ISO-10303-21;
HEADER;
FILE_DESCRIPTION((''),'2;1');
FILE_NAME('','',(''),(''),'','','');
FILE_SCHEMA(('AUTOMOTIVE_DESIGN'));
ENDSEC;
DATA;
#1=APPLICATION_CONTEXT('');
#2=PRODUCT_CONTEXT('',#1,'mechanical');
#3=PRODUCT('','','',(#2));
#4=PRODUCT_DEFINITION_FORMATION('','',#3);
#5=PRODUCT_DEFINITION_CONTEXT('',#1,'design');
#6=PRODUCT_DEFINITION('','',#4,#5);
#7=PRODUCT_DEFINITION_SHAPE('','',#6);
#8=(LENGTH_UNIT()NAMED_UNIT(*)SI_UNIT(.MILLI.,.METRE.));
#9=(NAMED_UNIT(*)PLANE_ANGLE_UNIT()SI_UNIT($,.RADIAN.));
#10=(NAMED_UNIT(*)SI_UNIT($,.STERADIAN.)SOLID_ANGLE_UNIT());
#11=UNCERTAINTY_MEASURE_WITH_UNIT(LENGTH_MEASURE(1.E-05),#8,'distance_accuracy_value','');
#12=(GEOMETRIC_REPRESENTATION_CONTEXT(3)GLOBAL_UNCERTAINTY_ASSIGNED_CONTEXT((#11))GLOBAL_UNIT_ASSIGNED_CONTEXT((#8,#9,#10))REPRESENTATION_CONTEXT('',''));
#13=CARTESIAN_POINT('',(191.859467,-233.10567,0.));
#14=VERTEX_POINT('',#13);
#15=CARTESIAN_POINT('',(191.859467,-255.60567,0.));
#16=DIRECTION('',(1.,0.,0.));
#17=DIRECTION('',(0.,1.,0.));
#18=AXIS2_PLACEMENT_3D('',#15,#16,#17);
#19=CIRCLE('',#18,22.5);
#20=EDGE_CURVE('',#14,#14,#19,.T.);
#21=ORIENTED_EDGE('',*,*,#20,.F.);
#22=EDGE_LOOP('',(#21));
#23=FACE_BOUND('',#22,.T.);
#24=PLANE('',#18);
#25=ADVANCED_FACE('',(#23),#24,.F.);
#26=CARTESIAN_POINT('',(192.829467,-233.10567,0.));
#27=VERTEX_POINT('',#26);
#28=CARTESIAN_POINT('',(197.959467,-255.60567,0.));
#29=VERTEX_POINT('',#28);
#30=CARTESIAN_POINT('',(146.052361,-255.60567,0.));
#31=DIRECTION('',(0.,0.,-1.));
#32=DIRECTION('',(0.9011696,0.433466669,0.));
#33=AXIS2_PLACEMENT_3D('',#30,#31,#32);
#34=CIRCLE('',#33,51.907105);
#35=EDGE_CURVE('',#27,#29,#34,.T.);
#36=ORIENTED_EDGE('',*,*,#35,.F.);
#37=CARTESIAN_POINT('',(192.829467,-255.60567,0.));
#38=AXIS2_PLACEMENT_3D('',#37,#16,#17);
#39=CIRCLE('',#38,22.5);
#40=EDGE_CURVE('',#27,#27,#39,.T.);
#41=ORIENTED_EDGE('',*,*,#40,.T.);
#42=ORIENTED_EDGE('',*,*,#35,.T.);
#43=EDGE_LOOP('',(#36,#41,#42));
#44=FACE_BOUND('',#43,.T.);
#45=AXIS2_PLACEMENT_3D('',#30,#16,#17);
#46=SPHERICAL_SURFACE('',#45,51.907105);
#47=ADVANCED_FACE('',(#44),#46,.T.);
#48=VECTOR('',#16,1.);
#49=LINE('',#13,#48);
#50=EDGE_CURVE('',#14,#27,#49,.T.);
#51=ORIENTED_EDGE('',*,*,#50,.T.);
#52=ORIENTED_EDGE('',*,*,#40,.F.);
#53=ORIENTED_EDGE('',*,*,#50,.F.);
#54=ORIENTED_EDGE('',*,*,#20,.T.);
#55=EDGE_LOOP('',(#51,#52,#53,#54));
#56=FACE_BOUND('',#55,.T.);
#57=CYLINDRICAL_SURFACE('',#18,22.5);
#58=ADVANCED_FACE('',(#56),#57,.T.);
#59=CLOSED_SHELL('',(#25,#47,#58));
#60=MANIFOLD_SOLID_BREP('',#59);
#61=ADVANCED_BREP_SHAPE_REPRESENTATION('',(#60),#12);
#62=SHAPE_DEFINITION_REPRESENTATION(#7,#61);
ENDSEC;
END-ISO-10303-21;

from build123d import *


with BuildPart() as part:
    # 草图1 → 旋转1 (revolve)
    with BuildSketch(Plane.XY):
        with BuildLine():
            Line((191.859466539, -255.60567035), (191.859466539, -233.10567035))
            Line((191.859466539, -233.10567035), (192.829466539, -233.10567035))
            ThreePointArc((192.829466539, -233.10567035), (196.660718805, -244.066964833), (197.959466539, -255.60567035))
            Line((197.959466539, -255.60567035), (191.859466539, -255.60567035))
        make_face()
    revolve(axis=Axis((187.816345069, -255.60567035, 0), (1, 0, 0)))


solid = part.part
